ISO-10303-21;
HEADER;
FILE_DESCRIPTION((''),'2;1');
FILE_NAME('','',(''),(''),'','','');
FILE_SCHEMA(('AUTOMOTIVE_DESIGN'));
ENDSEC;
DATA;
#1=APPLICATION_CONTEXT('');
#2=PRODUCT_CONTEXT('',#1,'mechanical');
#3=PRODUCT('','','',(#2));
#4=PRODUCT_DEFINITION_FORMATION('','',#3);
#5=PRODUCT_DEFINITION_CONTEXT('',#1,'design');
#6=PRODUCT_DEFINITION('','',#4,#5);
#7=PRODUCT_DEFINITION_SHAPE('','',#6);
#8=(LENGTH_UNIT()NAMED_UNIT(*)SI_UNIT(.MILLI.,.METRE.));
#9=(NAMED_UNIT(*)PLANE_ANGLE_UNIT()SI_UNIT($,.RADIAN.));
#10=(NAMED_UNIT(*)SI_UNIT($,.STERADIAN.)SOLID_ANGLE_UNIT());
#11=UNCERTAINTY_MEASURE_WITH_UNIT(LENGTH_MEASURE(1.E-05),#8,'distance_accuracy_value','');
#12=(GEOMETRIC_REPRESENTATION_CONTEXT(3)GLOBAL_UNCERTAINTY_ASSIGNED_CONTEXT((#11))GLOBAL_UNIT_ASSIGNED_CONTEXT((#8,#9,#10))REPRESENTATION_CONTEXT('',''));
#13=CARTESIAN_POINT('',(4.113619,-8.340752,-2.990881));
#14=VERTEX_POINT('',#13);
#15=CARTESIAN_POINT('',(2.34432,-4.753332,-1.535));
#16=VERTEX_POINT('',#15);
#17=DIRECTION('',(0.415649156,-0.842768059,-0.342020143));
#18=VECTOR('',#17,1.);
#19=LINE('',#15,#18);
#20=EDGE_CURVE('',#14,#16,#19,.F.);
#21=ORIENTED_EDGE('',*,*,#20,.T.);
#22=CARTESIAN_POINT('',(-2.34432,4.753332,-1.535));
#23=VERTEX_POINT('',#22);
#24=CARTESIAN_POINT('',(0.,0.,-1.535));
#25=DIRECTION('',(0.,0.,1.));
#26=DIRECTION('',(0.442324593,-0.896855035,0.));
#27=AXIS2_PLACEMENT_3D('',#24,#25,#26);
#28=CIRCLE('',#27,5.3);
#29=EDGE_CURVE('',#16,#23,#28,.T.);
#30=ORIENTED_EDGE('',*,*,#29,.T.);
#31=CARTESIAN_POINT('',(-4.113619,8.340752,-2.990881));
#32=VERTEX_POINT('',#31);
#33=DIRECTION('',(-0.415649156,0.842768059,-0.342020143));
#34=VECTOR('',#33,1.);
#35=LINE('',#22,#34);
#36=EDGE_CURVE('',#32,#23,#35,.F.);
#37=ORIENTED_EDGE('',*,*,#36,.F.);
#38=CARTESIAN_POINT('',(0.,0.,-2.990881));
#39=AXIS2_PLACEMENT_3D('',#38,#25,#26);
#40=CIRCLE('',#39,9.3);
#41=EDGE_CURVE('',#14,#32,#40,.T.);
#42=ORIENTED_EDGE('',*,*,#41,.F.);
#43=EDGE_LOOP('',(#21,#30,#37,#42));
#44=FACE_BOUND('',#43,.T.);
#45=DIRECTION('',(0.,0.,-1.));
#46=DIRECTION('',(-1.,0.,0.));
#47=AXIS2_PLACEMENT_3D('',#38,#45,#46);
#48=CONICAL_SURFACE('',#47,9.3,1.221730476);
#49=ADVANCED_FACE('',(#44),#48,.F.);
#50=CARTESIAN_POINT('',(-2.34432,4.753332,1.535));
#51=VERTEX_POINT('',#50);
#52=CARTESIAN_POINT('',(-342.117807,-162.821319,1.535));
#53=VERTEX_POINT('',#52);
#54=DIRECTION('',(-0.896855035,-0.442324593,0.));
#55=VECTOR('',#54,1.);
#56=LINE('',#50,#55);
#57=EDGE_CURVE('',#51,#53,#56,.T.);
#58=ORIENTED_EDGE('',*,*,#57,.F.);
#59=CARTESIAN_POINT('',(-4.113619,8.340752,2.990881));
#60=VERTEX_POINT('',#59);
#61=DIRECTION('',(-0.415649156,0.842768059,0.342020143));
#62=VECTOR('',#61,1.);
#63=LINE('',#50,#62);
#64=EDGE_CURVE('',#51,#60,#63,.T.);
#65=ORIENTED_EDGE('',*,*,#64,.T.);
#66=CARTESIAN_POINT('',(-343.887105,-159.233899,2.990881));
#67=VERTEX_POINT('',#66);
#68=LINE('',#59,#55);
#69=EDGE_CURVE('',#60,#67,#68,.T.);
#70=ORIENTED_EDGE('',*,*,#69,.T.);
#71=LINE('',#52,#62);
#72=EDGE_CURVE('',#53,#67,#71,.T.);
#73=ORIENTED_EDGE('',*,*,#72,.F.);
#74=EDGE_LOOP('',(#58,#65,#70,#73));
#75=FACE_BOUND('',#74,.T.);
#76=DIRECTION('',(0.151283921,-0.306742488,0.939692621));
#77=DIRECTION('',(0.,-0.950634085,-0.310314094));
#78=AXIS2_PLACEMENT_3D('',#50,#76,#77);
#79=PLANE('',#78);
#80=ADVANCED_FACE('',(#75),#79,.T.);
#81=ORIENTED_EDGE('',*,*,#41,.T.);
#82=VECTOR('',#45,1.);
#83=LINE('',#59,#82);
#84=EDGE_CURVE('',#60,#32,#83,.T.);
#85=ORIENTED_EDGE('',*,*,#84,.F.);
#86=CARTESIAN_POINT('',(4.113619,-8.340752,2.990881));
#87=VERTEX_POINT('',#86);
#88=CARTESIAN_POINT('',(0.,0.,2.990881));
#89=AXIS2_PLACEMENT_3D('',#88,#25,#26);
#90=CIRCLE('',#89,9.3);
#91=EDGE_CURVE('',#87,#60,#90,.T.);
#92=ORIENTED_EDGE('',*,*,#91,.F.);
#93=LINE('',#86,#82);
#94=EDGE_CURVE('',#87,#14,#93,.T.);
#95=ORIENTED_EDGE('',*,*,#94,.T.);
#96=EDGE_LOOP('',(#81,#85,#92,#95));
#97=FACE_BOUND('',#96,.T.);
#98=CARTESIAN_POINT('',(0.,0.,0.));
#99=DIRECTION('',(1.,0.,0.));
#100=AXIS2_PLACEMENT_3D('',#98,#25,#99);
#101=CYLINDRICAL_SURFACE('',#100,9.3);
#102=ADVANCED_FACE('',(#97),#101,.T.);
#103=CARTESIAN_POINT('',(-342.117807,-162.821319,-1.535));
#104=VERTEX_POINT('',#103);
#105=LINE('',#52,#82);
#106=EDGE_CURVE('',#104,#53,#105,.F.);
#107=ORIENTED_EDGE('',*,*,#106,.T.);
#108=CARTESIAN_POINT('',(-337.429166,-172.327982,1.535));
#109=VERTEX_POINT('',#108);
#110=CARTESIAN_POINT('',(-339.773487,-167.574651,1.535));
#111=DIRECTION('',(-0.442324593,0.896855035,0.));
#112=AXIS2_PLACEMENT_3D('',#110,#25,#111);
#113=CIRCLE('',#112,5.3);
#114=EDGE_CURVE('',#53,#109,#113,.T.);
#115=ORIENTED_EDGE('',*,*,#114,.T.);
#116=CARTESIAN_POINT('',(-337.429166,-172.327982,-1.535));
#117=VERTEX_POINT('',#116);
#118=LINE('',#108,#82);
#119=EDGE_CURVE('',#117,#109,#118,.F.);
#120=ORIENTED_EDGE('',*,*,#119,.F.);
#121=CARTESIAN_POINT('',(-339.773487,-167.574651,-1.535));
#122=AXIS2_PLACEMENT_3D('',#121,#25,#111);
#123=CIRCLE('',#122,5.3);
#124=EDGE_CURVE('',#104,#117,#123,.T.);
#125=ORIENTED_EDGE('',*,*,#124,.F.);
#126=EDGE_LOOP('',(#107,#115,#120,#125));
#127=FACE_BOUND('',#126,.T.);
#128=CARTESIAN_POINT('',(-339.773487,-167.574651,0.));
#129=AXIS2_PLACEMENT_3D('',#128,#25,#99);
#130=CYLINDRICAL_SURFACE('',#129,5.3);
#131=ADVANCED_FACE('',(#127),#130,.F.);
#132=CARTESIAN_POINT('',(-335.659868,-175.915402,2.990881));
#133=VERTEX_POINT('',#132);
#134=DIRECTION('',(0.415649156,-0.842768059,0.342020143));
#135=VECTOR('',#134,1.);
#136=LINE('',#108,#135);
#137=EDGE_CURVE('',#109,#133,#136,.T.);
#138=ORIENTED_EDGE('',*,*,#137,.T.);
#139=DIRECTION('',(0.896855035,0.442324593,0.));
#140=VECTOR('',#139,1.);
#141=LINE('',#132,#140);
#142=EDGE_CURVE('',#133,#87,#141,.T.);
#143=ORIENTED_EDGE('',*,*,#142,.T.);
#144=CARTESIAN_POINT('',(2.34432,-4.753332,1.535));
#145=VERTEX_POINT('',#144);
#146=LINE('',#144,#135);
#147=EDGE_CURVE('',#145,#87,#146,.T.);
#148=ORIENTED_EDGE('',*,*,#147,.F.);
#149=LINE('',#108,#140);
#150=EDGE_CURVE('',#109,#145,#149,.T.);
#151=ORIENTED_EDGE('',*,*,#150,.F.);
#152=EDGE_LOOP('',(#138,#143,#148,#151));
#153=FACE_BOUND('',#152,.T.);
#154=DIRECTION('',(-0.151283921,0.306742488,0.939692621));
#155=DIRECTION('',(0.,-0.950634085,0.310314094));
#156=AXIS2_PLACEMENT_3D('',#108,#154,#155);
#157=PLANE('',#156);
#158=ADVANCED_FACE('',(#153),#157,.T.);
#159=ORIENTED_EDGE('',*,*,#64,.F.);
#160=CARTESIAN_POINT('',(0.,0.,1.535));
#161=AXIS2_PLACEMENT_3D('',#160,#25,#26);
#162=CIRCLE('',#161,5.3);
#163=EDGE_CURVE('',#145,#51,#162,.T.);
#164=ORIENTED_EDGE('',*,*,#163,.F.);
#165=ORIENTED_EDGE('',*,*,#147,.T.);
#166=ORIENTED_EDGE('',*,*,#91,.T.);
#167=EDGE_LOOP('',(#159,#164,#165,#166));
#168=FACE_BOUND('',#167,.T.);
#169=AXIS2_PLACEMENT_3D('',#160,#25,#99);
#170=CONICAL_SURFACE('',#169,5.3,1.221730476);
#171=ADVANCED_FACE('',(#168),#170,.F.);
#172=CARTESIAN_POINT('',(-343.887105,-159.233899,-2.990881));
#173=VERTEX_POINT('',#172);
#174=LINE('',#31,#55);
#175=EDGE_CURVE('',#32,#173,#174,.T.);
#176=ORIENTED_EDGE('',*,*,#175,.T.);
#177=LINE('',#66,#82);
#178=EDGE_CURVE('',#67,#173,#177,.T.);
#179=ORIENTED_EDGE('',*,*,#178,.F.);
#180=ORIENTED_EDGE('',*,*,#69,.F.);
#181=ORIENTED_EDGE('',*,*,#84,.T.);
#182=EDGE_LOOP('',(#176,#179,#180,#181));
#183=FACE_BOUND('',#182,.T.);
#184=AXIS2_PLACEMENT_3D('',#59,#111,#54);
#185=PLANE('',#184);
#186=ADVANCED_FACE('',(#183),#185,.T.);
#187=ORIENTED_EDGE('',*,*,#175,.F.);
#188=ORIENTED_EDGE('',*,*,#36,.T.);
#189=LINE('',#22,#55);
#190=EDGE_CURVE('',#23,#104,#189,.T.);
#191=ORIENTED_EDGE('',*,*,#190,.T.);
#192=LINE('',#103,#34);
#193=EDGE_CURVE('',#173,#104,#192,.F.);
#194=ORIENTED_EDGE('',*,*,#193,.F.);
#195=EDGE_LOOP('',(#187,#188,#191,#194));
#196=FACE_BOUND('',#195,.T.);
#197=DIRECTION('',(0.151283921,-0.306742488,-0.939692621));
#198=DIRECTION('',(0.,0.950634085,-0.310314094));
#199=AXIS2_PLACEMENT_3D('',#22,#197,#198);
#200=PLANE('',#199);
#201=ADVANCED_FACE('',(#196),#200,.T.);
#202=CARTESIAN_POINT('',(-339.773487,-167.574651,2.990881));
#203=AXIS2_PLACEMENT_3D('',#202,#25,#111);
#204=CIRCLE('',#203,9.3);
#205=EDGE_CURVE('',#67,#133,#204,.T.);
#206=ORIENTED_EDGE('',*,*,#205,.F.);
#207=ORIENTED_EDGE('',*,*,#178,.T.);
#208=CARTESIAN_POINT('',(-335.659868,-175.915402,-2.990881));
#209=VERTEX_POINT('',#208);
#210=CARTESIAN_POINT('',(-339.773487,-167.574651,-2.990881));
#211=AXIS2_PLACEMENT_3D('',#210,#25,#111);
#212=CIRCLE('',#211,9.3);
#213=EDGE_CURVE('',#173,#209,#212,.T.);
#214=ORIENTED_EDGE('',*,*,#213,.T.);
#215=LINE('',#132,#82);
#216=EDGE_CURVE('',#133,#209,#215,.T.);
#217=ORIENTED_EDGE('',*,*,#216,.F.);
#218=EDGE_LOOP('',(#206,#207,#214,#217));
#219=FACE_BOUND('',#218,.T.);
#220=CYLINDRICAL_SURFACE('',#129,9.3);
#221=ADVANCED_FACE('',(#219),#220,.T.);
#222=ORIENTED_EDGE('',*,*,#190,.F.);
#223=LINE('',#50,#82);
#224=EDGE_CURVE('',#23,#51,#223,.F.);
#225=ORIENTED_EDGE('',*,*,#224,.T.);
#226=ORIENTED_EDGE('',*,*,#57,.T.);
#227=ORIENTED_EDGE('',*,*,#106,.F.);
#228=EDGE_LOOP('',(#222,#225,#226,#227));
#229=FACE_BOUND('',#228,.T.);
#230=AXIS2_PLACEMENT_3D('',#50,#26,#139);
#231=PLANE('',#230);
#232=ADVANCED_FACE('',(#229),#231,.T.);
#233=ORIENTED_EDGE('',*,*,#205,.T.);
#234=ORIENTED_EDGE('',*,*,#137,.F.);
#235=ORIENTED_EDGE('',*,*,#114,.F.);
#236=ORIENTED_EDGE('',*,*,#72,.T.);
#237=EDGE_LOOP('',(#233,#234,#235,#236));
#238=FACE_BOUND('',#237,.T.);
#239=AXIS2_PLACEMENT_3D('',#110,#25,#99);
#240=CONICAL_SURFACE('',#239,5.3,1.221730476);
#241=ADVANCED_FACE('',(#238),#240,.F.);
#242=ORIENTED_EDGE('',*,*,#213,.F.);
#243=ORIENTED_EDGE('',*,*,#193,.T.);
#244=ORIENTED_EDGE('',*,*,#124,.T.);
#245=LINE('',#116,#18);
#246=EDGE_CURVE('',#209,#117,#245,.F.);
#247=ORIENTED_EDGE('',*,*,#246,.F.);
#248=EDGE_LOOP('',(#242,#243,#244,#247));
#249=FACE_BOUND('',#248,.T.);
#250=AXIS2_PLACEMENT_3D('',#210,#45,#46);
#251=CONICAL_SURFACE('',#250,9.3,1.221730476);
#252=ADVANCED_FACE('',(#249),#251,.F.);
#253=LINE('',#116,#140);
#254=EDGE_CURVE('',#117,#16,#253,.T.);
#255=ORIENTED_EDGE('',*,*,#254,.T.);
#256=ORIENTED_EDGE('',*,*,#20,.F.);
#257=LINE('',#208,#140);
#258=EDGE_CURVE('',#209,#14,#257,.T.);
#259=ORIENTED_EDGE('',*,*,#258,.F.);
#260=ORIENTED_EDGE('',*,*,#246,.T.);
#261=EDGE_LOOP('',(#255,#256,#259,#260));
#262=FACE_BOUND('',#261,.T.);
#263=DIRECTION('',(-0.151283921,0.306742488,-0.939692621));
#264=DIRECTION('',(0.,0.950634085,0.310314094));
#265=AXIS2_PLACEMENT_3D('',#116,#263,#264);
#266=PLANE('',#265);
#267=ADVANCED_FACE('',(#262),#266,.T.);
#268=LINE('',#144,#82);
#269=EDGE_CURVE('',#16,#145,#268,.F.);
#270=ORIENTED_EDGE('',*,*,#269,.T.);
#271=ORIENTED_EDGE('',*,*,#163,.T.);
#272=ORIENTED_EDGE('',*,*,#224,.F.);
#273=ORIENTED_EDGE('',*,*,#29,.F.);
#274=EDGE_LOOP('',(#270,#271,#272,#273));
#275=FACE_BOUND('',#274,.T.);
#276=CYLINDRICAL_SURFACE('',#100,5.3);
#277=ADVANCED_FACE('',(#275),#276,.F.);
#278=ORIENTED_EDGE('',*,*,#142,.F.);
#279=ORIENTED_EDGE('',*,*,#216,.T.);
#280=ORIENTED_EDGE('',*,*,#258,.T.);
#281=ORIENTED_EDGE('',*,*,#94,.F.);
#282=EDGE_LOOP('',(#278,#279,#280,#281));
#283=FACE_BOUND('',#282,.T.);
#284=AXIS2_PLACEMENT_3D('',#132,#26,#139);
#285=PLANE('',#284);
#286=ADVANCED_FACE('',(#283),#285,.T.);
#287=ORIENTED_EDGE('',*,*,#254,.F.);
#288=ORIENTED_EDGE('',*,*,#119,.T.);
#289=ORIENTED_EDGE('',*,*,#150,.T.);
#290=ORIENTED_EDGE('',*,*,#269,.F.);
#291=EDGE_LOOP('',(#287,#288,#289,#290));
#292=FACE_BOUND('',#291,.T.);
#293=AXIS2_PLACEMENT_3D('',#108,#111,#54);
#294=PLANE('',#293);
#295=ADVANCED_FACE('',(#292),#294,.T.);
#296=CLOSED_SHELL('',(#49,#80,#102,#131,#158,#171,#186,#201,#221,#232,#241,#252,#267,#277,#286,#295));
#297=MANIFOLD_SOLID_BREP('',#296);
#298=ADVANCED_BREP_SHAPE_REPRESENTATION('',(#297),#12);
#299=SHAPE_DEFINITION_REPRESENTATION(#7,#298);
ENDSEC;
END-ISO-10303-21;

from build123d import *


with BuildPart() as part:
    # 扫描1: sweep along a path in 草图2
    with BuildLine(Plane.XY) as sweep_1_path:
        Line((2.344320341, -4.753331688), (-337.429166382, -172.327982197))
        ThreePointArc((-337.429166382, -172.327982197), (-344.526818412, -169.91897085), (-342.117807065, -162.82131882))
        Line((-342.117807065, -162.82131882), (-2.344320341, 4.753331688))
        ThreePointArc((-2.344320341, 4.753331688), (4.753331688, 2.344320341), (2.344320341, -4.753331688))
    # 草图3 → 扫描1 (sweep)
    with BuildSketch(Plane(origin=(0, 0, 0), x_dir=(0, 0, -1), z_dir=(0.8968550354896063, 0.4423245927109831, 0))):
        Polygon((-1.535, 5.3), (1.535, 5.3), (2.990880937, 9.3), (-2.990880937, 9.3), align=None)
    sweep(path=sweep_1_path.line)


solid = part.part
